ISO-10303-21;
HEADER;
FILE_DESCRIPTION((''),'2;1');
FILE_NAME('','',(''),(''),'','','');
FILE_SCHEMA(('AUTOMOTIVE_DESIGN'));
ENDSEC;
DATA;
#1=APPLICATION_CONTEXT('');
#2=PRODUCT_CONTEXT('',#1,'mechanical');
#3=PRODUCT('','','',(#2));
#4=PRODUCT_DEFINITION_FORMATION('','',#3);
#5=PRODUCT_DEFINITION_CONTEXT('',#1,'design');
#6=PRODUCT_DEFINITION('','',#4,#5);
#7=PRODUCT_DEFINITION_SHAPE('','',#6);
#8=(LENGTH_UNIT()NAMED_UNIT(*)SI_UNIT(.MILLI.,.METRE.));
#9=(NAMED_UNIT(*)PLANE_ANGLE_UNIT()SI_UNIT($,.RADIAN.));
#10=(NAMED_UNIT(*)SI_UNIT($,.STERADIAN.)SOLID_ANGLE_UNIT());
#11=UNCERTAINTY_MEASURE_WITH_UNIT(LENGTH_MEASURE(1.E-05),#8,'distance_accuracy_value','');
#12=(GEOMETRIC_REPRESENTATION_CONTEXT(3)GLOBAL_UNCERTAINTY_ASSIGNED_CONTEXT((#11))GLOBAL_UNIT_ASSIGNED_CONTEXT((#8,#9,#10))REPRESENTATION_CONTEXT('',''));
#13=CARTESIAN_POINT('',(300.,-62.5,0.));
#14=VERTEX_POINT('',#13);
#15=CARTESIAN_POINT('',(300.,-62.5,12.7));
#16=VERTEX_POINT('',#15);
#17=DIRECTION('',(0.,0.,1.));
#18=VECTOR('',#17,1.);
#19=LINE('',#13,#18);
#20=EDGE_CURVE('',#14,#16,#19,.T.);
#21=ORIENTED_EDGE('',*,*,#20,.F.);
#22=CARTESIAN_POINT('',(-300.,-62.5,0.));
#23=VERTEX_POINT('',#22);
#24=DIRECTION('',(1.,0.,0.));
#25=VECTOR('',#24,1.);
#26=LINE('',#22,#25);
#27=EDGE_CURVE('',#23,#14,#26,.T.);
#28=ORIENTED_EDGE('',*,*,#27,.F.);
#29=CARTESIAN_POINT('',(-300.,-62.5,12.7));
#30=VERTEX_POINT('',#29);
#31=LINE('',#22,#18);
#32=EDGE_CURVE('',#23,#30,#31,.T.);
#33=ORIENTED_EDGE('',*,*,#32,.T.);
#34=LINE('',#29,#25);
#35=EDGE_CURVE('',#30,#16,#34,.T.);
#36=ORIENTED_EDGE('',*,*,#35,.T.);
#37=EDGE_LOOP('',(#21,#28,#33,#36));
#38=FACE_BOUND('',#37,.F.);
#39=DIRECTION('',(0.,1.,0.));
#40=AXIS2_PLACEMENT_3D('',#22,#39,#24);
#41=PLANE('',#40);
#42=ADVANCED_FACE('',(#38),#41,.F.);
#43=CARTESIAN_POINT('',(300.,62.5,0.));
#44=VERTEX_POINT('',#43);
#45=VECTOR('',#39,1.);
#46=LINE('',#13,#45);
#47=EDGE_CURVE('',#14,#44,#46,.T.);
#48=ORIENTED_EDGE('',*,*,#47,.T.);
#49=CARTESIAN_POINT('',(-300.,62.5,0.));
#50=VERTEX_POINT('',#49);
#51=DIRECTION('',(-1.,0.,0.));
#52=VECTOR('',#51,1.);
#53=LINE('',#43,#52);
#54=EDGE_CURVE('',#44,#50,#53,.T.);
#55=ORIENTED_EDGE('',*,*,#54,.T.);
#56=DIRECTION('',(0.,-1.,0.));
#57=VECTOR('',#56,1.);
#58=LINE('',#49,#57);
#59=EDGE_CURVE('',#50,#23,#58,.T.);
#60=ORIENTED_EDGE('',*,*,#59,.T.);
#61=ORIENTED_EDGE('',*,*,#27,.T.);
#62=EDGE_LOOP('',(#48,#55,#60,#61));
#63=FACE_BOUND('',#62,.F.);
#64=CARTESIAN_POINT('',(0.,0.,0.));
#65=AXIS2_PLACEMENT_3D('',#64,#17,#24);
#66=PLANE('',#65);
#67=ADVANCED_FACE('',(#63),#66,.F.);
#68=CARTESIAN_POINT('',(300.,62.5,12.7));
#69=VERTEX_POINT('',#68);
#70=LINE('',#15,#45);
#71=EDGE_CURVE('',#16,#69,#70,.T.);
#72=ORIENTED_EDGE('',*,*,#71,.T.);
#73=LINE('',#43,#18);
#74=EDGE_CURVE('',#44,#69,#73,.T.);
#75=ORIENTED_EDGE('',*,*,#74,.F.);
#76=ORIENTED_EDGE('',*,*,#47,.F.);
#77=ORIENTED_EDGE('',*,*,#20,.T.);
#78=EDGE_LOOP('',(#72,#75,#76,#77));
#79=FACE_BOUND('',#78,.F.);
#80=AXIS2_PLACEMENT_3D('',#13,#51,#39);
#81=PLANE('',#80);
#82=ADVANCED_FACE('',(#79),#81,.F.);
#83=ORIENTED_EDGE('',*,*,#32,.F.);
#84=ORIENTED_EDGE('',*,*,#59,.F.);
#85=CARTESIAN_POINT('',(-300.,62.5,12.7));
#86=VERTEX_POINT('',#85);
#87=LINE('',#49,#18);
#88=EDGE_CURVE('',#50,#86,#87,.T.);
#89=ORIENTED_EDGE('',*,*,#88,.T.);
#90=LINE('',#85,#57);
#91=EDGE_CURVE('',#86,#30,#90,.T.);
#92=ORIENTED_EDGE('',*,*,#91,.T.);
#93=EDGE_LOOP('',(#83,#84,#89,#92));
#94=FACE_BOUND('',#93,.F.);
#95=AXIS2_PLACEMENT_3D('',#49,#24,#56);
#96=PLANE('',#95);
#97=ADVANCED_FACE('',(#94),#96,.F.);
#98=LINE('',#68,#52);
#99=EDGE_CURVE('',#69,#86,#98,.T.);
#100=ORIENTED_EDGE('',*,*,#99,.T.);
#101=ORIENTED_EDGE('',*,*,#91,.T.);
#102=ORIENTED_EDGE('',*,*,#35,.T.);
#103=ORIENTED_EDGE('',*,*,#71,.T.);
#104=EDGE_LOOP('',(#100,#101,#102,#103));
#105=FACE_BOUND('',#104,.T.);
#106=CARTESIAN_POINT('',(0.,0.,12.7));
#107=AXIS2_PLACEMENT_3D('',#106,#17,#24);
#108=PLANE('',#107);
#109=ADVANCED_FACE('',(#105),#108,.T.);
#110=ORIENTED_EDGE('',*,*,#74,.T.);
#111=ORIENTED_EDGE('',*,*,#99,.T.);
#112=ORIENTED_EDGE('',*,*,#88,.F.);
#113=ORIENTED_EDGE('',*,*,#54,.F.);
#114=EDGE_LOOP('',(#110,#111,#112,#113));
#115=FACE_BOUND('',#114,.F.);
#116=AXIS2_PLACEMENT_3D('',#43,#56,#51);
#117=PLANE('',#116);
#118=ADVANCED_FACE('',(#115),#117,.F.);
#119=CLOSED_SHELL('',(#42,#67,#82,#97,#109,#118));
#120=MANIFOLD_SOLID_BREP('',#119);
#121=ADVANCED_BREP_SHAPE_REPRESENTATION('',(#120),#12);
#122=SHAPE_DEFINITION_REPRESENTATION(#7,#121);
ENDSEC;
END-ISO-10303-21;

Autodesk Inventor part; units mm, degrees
ref_plane "YZ Plane" through (0, 0, 0) normal (1, 0, 0) x (0, 1, 0)
ref_plane "XZ Plane" through (0, 0, 0) normal (0, 1, 0) x (-1, 0, 0)
ref_plane "XY Plane" through (0, 0, 0) normal (0, 0, 1) x (1, 0, 0)
sketch "Sketch1" plane through (0, 0, 0) normal (0, 0, 1) x (1, 0, 0)
  line L0 (-300, -62.5) -> (300, -62.5)
  line L1 (300, -62.5) -> (300, 62.5)
  line L2 (300, 62.5) -> (-300, 62.5)
  line L3 (-300, 62.5) -> (-300, -62.5)
  point P0 (0, 0)
  dimension "d0" = 600
  dimension "d1" = 125
  dimension "d2" = 300
  dimension "d3" = 62.5
extrude "Extrusion1" add sketch "Sketch1" along normal blind 12.7
equation "\"d2\" = 0.5 * d0"
equation "\"d3\" = 0.5 * d1"
properties part number "sectional_wasteboard" material "Wood (Birch)"
